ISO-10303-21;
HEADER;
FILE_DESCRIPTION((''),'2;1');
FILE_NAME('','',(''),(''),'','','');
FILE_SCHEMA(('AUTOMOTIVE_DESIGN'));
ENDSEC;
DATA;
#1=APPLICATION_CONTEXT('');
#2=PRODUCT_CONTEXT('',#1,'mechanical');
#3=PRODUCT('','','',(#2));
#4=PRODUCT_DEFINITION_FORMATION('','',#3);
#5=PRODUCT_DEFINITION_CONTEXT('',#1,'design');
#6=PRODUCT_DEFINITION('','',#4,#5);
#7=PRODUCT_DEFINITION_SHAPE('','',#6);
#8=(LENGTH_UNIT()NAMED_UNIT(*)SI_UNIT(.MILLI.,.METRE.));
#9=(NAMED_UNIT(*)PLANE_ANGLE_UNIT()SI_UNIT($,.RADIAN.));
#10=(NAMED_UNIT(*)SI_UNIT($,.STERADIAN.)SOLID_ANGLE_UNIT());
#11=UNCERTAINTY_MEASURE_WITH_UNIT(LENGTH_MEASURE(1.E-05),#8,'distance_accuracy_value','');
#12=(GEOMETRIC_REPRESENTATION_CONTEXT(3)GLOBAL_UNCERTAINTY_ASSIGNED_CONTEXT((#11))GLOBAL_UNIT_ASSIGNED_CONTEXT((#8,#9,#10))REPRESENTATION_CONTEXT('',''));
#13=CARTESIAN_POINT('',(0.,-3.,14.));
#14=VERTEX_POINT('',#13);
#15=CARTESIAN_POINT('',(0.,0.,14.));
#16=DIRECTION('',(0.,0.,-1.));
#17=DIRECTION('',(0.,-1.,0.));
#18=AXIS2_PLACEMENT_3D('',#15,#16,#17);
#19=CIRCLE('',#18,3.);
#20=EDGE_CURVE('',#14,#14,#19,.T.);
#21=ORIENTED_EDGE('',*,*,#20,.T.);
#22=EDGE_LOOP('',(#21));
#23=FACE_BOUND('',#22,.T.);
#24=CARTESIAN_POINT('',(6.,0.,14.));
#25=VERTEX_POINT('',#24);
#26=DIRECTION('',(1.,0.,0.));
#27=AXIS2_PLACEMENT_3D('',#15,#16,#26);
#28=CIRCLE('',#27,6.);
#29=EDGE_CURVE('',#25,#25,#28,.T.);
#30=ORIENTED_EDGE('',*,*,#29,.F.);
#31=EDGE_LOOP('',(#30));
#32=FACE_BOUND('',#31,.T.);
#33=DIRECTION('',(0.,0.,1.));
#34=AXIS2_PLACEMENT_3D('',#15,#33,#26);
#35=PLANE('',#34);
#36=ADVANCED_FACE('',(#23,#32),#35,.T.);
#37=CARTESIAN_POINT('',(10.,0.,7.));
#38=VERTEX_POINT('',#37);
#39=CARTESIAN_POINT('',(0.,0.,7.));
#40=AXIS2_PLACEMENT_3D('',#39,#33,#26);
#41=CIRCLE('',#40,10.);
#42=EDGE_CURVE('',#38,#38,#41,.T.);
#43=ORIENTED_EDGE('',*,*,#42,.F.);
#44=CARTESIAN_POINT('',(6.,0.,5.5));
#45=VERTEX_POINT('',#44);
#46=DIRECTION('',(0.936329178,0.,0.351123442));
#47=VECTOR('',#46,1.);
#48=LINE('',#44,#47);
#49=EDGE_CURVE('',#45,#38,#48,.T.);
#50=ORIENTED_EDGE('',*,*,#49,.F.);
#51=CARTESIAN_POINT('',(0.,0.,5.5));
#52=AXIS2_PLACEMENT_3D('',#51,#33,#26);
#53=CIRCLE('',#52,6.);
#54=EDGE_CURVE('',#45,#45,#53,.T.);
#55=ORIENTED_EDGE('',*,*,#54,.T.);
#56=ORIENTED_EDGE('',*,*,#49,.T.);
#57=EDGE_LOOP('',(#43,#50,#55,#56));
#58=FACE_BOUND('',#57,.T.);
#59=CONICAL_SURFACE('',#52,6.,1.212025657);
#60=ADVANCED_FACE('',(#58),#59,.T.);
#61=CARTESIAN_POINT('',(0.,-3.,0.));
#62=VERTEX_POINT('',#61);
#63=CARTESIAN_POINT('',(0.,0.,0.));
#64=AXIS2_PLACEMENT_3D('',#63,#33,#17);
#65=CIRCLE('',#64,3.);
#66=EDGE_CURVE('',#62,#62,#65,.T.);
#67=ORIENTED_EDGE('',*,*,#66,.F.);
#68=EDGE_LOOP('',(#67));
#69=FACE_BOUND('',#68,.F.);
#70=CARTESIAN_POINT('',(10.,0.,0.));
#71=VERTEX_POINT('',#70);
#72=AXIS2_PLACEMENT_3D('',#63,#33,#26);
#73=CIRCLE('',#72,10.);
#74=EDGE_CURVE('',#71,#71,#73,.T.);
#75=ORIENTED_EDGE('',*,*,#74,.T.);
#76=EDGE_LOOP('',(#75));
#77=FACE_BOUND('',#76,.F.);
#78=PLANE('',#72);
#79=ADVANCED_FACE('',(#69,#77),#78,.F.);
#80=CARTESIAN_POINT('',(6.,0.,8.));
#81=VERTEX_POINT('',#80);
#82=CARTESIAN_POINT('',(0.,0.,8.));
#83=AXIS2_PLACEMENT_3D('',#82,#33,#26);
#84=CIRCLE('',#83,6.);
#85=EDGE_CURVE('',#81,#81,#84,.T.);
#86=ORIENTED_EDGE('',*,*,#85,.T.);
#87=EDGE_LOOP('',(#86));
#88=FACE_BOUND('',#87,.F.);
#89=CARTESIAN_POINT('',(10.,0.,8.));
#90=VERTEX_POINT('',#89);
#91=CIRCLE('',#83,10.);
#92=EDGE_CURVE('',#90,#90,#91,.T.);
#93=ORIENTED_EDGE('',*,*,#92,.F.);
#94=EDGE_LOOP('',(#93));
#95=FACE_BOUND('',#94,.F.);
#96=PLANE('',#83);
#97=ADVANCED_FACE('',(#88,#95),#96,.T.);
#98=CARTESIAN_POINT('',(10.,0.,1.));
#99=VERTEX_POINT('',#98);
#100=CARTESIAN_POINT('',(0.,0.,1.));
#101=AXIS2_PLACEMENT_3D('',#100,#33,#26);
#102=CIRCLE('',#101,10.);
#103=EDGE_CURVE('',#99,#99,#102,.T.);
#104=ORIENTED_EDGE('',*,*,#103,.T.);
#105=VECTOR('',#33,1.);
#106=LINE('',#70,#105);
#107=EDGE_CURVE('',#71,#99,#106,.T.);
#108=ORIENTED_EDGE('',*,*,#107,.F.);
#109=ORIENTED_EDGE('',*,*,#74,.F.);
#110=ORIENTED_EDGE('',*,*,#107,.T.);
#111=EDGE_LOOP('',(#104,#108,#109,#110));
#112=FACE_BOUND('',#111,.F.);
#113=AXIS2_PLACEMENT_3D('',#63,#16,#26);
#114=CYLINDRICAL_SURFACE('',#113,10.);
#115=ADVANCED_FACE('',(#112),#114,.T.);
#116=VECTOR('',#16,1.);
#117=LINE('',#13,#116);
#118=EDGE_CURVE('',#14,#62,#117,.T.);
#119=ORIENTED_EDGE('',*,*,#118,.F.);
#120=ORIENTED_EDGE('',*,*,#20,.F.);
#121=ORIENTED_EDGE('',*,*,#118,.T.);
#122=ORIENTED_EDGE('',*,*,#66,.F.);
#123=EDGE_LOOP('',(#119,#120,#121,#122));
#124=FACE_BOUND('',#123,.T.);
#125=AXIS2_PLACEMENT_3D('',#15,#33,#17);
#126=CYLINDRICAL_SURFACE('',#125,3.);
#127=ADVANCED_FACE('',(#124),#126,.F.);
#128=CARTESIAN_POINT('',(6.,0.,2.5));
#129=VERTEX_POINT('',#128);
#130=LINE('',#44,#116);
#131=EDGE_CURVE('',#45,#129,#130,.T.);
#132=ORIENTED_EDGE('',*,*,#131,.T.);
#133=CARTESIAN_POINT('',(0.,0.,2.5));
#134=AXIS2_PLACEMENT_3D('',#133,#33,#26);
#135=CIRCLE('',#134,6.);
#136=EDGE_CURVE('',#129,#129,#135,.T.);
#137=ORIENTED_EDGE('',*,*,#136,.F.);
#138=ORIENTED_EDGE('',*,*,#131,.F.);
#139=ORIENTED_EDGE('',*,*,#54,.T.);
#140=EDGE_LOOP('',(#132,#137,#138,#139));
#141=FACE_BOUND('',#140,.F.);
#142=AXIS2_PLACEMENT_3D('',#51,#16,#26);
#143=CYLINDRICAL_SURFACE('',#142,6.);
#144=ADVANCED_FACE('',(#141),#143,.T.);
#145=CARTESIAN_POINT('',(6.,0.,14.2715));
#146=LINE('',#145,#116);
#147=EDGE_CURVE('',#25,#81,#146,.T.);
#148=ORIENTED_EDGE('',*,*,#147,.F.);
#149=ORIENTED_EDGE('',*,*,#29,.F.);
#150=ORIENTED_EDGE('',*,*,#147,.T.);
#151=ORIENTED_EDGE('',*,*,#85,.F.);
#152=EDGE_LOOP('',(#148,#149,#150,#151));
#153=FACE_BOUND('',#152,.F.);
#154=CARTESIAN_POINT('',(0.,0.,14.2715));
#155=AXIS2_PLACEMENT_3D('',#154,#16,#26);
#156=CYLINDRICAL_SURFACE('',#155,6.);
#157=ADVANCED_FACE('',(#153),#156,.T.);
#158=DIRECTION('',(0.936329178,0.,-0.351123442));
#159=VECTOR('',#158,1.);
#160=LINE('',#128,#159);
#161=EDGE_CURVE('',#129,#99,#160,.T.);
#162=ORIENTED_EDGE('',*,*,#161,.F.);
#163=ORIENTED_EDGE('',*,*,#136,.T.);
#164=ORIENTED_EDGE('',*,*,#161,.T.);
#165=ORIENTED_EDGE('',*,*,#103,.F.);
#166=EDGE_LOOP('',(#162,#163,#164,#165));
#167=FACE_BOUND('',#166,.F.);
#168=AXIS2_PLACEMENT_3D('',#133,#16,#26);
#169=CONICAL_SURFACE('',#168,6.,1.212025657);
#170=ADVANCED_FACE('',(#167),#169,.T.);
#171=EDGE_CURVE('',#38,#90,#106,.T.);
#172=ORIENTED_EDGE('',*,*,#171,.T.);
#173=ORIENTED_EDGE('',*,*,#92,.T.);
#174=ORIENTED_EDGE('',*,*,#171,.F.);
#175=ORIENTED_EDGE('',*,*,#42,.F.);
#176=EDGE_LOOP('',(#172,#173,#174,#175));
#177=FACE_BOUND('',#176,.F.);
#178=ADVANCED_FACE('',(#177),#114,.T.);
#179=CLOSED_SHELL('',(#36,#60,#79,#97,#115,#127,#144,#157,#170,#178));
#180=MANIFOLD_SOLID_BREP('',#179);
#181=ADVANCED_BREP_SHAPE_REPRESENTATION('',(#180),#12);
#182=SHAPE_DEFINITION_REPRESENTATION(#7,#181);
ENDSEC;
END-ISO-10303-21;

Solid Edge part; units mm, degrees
sketch "Sketch1" plane through (0, 0, 0) normal (0, 0, 1) x (1, 0, 0)
  circle A0 centre (0, 0) radius 10
extrude "Protrusion1" add sketch "Sketch1" along normal blind 14
sketch "Sketch2" plane through (0, 0, 0) normal (0, -1, 0) x (1, 0, 0)
  line L0 (10, 14.2715) -> (6, 14.2715)
  line L1 (6, 14.2715) -> (6, 8)
  line L2 (6, 8) -> (10, 8)
  line L3 (10, 8) -> (10, 14.2715)
  line L4 (6, 5.5) -> (6, 2.5)
  line L5 (6, 2.5) -> (10, 1)
  line L6 (10, 7) -> (10, 1)
  line L7 (6, 5.5) -> (10, 7)
  dimension "D1" = 6
  dimension "D2" = 6
  dimension "D3" = 3
  dimension "D4" = 2.5
  dimension "D5" = 2.5
  dimension "D6" = 1
  dimension "D7" = 1
revolve "RevolvedCutout1" cut sketch "Sketch2" angle 360 about axis through (0, 0, 0) along (0, 0, 1)
hole "Hole_1" at (0, 0, 14) direction (0, 0, -1) diameter 6 end through all
